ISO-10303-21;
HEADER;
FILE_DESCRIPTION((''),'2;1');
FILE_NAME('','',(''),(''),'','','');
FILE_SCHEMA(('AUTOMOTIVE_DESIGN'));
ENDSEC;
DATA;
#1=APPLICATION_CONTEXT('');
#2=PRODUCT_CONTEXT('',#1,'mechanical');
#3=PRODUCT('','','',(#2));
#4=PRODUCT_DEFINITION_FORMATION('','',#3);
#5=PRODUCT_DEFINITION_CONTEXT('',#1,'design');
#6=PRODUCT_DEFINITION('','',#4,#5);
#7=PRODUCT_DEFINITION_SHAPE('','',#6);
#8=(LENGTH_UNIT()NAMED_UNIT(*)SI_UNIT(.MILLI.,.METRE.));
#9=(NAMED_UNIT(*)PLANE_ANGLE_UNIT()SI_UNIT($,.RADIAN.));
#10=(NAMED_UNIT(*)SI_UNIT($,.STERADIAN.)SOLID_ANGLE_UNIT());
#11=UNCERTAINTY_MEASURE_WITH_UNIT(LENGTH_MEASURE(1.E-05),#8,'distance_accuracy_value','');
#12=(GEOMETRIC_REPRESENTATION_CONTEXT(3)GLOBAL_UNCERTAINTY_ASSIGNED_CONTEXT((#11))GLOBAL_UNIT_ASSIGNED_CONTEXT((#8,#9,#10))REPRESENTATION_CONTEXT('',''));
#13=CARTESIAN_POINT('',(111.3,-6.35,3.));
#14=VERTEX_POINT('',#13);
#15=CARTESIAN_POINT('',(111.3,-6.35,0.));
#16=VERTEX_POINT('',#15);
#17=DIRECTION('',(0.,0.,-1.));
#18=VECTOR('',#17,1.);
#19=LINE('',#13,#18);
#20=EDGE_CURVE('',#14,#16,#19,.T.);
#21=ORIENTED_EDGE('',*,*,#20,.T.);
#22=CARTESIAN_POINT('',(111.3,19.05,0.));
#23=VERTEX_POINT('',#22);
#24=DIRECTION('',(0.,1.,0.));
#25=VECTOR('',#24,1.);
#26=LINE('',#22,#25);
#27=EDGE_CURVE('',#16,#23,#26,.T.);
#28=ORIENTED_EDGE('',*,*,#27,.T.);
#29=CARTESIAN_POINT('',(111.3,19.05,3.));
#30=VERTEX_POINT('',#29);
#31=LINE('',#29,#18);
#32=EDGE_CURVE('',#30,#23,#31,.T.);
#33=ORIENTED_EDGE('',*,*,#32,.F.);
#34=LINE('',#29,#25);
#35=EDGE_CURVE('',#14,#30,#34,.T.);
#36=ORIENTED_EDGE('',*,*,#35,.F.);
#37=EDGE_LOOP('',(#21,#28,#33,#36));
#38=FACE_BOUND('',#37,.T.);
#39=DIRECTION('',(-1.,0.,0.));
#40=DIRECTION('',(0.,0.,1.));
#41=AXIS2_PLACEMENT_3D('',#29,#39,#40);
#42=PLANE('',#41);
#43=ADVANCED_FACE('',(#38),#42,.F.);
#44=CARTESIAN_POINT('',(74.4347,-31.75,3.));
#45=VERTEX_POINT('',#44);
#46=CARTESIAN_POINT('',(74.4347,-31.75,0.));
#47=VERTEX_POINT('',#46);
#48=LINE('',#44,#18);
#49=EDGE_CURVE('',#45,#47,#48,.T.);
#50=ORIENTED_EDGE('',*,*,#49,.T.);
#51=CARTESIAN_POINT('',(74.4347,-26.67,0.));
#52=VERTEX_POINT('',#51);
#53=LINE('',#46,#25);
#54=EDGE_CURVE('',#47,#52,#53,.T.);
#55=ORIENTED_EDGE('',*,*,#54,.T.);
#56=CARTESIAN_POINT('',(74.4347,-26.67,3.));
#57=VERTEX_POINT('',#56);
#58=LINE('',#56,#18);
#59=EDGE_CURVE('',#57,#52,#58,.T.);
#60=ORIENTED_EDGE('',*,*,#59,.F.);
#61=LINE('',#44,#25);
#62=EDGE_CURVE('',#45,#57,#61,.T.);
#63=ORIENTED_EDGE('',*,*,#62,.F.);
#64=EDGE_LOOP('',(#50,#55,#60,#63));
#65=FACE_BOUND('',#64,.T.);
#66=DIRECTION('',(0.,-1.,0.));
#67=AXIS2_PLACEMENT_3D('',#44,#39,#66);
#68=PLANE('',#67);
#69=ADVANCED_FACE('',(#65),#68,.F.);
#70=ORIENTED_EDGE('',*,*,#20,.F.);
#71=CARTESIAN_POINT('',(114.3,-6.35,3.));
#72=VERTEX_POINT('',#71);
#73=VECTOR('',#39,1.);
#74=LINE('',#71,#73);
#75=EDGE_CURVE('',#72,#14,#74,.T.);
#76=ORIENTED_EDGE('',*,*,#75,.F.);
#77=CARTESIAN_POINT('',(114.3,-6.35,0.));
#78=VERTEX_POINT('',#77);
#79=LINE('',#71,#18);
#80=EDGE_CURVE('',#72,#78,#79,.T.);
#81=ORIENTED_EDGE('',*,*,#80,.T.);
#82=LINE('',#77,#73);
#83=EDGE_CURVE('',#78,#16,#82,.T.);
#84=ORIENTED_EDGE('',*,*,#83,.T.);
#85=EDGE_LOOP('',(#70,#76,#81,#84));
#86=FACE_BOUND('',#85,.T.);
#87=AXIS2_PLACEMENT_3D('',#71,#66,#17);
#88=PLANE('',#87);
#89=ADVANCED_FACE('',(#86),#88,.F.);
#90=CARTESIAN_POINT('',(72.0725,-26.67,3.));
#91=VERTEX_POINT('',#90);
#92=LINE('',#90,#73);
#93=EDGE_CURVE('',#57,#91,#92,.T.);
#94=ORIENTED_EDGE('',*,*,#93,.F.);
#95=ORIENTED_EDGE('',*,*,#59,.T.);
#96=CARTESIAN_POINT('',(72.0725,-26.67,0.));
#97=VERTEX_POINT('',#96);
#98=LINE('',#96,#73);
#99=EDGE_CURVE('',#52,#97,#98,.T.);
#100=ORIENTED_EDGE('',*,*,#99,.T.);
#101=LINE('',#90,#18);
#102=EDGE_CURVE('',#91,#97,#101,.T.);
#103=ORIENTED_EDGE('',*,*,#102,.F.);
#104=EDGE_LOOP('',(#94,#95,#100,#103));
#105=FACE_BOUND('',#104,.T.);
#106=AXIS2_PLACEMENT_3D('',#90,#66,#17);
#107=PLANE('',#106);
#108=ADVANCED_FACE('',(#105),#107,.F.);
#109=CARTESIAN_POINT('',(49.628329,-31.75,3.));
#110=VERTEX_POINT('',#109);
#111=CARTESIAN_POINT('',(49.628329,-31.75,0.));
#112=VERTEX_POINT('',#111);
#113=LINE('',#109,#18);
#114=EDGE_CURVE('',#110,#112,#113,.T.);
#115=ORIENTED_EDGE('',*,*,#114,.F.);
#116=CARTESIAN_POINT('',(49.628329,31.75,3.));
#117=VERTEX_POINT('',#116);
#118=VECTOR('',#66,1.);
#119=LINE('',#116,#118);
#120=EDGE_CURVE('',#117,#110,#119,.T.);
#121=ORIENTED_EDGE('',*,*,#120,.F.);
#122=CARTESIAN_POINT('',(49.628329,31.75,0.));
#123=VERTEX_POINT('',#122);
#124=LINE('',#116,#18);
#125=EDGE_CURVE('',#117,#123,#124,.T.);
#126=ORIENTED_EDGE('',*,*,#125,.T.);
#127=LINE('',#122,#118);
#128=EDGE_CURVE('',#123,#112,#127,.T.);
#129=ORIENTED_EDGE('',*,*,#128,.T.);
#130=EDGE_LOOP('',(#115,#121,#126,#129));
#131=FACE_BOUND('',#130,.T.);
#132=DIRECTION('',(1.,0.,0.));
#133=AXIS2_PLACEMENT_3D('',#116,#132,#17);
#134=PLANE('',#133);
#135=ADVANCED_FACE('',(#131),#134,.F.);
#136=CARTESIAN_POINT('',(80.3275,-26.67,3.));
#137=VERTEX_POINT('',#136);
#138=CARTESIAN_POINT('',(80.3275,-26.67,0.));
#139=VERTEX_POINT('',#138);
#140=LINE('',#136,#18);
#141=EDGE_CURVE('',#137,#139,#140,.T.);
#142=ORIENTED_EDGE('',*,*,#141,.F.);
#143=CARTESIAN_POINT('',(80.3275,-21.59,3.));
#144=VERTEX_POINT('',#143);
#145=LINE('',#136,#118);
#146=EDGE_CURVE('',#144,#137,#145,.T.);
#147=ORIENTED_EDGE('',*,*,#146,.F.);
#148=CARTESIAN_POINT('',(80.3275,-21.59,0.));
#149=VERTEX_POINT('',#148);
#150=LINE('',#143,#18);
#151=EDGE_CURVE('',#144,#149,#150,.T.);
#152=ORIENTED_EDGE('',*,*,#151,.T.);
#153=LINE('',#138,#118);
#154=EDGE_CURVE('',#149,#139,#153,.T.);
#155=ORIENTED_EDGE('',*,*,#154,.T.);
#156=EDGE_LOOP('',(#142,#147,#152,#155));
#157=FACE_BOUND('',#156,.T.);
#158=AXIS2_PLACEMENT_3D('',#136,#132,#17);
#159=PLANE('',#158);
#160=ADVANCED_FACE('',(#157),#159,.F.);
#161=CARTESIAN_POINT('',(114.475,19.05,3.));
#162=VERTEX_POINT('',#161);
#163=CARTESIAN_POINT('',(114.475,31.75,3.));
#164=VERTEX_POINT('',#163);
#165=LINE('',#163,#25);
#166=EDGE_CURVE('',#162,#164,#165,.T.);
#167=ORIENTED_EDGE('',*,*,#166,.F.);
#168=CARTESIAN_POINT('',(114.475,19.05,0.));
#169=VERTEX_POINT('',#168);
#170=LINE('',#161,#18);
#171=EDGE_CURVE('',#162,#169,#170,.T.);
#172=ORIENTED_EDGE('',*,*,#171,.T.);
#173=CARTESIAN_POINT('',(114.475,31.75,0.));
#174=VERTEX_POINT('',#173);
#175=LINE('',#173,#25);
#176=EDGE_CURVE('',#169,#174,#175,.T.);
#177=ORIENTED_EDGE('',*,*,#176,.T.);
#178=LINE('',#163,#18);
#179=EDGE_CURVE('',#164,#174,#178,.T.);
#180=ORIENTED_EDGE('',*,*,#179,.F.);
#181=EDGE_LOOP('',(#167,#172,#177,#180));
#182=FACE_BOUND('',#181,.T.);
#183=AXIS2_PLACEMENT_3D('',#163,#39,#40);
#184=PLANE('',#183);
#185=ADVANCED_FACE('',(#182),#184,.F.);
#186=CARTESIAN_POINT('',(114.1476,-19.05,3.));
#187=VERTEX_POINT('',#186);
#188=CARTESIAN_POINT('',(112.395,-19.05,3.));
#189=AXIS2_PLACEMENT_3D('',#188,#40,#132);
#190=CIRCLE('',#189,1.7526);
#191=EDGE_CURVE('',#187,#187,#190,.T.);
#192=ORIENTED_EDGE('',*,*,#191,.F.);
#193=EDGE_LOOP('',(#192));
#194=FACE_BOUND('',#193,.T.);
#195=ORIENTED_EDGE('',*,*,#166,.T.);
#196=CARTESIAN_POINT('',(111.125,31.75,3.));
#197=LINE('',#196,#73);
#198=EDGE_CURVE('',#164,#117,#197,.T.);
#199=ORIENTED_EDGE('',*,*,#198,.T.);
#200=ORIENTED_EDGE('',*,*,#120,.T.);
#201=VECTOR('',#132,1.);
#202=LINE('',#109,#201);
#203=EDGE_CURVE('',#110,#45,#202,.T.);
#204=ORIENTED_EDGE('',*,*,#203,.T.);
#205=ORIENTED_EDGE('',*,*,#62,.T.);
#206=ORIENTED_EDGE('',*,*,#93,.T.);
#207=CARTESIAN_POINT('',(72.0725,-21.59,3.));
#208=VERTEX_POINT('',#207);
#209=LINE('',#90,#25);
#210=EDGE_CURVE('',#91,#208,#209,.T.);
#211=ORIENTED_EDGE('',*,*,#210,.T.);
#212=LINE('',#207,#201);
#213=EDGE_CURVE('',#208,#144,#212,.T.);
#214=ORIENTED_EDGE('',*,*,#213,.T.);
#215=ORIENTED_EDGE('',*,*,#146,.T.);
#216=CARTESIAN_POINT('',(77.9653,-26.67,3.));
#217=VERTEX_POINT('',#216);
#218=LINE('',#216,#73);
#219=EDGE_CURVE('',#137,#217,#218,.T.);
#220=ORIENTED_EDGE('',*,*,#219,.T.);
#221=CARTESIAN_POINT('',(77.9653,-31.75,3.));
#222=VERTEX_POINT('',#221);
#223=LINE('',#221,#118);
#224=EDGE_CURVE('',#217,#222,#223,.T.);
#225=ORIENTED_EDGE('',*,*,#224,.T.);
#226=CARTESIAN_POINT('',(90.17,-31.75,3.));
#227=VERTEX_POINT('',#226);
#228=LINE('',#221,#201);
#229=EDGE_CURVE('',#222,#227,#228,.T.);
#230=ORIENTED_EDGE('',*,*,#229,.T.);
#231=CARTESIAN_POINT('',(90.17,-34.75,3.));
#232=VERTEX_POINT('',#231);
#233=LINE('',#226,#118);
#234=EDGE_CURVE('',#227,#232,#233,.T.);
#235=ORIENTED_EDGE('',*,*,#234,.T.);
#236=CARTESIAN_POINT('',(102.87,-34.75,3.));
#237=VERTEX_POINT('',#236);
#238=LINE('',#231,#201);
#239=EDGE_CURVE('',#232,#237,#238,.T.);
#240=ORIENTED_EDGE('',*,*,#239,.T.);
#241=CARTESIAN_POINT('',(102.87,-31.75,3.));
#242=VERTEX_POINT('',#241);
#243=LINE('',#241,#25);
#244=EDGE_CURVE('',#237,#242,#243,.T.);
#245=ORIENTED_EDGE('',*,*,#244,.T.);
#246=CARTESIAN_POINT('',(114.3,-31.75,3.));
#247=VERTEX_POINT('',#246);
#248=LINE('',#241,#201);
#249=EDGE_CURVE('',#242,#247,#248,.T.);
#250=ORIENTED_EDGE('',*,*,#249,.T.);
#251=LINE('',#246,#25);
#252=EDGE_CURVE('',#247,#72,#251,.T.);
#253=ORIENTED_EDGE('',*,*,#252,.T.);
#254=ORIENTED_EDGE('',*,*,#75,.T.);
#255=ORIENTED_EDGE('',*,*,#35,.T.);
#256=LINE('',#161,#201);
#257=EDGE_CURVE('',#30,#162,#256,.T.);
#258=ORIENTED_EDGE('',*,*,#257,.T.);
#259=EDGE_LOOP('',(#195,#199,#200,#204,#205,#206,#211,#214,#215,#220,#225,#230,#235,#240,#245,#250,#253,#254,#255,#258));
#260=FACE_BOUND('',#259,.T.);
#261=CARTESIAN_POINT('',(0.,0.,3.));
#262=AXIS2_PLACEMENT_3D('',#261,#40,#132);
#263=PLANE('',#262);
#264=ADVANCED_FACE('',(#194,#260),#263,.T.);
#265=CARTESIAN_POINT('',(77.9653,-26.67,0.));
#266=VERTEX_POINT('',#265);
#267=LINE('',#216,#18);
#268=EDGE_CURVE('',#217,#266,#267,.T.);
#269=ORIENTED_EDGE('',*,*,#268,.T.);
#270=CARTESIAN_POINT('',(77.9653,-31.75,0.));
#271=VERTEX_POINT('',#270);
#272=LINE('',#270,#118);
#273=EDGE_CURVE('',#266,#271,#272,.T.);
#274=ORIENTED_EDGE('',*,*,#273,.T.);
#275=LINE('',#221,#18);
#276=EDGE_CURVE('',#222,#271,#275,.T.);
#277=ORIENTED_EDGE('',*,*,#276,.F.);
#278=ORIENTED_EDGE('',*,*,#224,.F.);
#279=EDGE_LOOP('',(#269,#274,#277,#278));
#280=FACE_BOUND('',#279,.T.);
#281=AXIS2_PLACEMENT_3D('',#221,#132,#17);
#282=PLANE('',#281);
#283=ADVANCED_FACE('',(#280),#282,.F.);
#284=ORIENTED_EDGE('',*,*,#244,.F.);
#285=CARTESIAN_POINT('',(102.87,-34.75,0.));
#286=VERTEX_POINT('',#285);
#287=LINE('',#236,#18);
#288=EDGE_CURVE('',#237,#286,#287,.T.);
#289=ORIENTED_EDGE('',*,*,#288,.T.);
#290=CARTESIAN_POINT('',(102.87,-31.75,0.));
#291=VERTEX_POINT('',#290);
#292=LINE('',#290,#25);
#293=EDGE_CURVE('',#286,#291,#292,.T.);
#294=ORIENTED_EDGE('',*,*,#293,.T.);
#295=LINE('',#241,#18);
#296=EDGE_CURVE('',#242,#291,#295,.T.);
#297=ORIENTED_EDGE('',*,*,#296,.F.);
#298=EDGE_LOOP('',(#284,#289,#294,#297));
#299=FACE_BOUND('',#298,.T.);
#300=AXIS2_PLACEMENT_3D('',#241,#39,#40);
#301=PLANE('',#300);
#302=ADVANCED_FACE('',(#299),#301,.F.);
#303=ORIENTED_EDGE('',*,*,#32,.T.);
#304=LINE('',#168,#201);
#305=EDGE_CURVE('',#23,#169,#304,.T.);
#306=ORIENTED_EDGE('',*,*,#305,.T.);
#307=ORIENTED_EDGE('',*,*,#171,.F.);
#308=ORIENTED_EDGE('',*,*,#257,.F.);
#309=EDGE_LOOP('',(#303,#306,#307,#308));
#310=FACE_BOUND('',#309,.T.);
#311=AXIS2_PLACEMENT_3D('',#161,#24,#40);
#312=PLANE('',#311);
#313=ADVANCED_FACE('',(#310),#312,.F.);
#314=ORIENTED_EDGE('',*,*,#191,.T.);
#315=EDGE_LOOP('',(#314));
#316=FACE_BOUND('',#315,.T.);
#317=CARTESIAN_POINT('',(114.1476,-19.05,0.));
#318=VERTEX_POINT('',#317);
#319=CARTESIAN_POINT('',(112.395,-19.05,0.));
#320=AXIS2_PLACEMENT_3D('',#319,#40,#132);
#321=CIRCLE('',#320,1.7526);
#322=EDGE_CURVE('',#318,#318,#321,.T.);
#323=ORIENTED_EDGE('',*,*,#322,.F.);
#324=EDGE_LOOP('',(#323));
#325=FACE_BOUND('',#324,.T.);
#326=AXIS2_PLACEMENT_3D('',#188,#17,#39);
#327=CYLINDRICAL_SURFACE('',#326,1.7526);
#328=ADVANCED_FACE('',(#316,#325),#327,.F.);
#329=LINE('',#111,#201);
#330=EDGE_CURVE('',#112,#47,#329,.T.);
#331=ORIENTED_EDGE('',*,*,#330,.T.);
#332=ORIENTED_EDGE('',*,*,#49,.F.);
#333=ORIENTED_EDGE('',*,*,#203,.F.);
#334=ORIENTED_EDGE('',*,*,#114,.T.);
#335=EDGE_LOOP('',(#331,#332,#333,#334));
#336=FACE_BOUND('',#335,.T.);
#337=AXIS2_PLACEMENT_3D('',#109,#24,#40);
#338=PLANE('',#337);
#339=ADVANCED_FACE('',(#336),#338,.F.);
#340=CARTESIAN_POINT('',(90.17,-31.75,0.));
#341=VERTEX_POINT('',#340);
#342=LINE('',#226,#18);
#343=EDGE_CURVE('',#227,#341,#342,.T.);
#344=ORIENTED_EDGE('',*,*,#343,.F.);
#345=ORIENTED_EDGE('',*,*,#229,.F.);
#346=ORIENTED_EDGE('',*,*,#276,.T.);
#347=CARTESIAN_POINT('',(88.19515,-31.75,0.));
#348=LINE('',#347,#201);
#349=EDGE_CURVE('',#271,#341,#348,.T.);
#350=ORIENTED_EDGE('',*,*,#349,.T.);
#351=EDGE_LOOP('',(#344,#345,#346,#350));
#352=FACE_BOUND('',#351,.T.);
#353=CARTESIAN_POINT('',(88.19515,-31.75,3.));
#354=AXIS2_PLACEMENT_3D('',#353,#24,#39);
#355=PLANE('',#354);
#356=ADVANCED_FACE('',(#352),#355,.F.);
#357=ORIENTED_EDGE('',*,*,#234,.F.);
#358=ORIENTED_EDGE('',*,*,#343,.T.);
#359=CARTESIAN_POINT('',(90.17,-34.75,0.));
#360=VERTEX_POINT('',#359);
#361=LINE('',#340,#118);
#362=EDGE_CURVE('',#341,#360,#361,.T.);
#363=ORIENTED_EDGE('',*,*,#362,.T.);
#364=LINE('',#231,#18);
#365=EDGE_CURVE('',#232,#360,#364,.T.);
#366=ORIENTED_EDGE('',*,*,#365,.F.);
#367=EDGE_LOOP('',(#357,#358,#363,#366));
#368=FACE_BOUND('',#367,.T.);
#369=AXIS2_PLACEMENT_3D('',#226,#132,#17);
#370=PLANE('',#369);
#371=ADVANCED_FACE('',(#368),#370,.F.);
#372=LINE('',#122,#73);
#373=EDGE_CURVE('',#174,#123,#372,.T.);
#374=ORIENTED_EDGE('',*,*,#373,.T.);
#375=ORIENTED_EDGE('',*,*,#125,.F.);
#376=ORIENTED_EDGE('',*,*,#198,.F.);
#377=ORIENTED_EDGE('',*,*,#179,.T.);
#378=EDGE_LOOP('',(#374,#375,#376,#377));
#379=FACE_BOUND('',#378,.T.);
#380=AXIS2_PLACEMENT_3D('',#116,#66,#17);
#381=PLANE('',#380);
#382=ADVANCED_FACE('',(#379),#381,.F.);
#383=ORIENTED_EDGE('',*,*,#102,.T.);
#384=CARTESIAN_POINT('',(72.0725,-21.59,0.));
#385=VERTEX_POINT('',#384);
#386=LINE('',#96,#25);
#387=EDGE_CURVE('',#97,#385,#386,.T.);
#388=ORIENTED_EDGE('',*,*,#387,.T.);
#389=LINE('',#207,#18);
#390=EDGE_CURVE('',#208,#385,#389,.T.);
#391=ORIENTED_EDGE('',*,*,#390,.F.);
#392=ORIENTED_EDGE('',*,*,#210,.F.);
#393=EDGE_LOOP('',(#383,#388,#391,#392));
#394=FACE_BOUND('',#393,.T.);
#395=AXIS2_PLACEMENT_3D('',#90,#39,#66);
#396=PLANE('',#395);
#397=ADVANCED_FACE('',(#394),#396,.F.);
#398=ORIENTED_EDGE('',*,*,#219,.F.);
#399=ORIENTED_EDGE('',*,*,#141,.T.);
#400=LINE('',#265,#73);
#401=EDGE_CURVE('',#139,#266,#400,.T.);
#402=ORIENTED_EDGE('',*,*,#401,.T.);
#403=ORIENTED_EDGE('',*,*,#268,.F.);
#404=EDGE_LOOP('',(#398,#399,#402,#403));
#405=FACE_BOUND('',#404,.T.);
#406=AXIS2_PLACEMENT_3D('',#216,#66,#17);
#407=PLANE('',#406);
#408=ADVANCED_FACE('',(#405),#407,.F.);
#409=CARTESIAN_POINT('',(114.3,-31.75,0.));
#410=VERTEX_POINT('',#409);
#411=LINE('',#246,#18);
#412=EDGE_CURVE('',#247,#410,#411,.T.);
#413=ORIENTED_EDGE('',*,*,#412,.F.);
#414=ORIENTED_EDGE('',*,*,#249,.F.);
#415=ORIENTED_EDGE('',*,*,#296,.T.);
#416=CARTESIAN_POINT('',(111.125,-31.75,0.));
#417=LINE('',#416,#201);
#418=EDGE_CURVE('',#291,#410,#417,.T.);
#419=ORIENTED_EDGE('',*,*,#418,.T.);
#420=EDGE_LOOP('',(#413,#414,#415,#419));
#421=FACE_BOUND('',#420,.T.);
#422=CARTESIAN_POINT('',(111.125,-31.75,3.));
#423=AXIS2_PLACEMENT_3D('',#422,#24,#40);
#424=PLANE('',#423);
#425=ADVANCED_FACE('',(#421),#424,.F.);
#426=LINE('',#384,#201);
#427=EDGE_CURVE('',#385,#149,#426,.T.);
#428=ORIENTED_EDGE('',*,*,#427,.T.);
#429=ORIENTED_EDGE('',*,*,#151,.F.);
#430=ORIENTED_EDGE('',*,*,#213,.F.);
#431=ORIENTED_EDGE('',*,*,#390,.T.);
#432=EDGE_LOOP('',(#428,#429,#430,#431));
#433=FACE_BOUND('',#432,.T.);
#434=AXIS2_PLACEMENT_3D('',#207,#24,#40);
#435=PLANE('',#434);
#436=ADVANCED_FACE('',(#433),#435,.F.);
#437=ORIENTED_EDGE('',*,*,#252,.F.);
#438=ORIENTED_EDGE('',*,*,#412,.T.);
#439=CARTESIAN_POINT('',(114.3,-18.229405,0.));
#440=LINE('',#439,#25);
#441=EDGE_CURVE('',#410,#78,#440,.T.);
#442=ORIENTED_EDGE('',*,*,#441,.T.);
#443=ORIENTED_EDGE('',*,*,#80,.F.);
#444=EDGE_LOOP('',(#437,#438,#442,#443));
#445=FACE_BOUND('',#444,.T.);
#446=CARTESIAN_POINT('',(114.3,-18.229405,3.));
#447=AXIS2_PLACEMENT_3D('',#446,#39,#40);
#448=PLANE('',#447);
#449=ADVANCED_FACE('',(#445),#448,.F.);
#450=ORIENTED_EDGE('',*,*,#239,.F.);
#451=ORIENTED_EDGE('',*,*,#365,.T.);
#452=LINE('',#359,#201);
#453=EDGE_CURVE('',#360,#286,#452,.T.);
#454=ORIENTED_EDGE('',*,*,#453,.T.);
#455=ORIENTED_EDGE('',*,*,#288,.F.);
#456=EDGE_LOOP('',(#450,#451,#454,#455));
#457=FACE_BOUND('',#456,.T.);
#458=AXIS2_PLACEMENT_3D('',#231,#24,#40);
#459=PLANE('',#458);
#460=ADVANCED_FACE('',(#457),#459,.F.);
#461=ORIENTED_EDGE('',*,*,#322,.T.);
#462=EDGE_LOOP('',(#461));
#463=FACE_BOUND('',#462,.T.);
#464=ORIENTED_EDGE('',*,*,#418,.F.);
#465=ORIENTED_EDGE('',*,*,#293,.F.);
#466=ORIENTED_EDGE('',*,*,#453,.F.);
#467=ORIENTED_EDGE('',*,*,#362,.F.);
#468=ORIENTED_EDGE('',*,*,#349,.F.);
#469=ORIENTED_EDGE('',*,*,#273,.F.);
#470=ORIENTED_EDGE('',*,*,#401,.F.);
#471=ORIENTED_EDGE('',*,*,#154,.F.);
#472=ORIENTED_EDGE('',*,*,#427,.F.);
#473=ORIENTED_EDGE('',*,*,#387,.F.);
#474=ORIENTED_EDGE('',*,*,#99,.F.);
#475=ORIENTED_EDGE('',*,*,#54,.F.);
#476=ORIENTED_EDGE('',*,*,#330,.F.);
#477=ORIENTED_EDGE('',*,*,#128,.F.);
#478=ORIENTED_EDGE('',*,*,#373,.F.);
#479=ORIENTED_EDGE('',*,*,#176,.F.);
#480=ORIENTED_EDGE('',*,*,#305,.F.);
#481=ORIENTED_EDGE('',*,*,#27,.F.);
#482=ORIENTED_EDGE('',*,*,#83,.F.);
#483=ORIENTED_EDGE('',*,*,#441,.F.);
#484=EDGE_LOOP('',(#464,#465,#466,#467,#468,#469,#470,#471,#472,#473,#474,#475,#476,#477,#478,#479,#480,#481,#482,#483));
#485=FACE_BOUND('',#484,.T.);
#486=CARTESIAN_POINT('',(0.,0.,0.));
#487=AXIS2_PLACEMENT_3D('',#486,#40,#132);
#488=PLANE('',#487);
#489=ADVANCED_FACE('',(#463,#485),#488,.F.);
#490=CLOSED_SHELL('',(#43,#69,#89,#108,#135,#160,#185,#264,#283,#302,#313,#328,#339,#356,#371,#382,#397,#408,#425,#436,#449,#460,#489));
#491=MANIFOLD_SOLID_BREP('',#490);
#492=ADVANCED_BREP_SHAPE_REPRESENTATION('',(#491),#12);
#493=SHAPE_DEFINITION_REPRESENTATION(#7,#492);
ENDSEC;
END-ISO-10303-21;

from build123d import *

# Parameters (mm, degrees)
SKETCH1_R           = 1.7526
BOSS_EXTRUDE1_DEPTH = 3


with BuildPart() as part:
    # Sketch1 → Boss-Extrude1 (new body)
    with BuildSketch(Plane.XY):
        Polygon((49.628328589, 31.75), (111.125, 31.75), (114.475, 31.75), (114.475, 19.05), (111.3, 19.05), (111.3, -6.35), (114.3, -6.35), (114.3, -18.229405084), (114.3, -19.870594916), (114.3, -31.75), (111.125, -31.75), (102.87, -31.75), (102.87, -34.75), (90.17, -34.75), (90.17, -31.75), (88.19515, -31.75), (77.9653, -31.75), (77.9653, -26.67), (80.3275, -26.67), (80.3275, -21.59), (72.0725, -21.59), (72.0725, -26.67), (74.4347, -26.67), (74.4347, -31.75), (49.628328589, -31.75), align=None)
        with Locations((112.395, -19.05)):
            Circle(SKETCH1_R, mode=Mode.SUBTRACT)
    extrude(amount=BOSS_EXTRUDE1_DEPTH)


solid = part.part
